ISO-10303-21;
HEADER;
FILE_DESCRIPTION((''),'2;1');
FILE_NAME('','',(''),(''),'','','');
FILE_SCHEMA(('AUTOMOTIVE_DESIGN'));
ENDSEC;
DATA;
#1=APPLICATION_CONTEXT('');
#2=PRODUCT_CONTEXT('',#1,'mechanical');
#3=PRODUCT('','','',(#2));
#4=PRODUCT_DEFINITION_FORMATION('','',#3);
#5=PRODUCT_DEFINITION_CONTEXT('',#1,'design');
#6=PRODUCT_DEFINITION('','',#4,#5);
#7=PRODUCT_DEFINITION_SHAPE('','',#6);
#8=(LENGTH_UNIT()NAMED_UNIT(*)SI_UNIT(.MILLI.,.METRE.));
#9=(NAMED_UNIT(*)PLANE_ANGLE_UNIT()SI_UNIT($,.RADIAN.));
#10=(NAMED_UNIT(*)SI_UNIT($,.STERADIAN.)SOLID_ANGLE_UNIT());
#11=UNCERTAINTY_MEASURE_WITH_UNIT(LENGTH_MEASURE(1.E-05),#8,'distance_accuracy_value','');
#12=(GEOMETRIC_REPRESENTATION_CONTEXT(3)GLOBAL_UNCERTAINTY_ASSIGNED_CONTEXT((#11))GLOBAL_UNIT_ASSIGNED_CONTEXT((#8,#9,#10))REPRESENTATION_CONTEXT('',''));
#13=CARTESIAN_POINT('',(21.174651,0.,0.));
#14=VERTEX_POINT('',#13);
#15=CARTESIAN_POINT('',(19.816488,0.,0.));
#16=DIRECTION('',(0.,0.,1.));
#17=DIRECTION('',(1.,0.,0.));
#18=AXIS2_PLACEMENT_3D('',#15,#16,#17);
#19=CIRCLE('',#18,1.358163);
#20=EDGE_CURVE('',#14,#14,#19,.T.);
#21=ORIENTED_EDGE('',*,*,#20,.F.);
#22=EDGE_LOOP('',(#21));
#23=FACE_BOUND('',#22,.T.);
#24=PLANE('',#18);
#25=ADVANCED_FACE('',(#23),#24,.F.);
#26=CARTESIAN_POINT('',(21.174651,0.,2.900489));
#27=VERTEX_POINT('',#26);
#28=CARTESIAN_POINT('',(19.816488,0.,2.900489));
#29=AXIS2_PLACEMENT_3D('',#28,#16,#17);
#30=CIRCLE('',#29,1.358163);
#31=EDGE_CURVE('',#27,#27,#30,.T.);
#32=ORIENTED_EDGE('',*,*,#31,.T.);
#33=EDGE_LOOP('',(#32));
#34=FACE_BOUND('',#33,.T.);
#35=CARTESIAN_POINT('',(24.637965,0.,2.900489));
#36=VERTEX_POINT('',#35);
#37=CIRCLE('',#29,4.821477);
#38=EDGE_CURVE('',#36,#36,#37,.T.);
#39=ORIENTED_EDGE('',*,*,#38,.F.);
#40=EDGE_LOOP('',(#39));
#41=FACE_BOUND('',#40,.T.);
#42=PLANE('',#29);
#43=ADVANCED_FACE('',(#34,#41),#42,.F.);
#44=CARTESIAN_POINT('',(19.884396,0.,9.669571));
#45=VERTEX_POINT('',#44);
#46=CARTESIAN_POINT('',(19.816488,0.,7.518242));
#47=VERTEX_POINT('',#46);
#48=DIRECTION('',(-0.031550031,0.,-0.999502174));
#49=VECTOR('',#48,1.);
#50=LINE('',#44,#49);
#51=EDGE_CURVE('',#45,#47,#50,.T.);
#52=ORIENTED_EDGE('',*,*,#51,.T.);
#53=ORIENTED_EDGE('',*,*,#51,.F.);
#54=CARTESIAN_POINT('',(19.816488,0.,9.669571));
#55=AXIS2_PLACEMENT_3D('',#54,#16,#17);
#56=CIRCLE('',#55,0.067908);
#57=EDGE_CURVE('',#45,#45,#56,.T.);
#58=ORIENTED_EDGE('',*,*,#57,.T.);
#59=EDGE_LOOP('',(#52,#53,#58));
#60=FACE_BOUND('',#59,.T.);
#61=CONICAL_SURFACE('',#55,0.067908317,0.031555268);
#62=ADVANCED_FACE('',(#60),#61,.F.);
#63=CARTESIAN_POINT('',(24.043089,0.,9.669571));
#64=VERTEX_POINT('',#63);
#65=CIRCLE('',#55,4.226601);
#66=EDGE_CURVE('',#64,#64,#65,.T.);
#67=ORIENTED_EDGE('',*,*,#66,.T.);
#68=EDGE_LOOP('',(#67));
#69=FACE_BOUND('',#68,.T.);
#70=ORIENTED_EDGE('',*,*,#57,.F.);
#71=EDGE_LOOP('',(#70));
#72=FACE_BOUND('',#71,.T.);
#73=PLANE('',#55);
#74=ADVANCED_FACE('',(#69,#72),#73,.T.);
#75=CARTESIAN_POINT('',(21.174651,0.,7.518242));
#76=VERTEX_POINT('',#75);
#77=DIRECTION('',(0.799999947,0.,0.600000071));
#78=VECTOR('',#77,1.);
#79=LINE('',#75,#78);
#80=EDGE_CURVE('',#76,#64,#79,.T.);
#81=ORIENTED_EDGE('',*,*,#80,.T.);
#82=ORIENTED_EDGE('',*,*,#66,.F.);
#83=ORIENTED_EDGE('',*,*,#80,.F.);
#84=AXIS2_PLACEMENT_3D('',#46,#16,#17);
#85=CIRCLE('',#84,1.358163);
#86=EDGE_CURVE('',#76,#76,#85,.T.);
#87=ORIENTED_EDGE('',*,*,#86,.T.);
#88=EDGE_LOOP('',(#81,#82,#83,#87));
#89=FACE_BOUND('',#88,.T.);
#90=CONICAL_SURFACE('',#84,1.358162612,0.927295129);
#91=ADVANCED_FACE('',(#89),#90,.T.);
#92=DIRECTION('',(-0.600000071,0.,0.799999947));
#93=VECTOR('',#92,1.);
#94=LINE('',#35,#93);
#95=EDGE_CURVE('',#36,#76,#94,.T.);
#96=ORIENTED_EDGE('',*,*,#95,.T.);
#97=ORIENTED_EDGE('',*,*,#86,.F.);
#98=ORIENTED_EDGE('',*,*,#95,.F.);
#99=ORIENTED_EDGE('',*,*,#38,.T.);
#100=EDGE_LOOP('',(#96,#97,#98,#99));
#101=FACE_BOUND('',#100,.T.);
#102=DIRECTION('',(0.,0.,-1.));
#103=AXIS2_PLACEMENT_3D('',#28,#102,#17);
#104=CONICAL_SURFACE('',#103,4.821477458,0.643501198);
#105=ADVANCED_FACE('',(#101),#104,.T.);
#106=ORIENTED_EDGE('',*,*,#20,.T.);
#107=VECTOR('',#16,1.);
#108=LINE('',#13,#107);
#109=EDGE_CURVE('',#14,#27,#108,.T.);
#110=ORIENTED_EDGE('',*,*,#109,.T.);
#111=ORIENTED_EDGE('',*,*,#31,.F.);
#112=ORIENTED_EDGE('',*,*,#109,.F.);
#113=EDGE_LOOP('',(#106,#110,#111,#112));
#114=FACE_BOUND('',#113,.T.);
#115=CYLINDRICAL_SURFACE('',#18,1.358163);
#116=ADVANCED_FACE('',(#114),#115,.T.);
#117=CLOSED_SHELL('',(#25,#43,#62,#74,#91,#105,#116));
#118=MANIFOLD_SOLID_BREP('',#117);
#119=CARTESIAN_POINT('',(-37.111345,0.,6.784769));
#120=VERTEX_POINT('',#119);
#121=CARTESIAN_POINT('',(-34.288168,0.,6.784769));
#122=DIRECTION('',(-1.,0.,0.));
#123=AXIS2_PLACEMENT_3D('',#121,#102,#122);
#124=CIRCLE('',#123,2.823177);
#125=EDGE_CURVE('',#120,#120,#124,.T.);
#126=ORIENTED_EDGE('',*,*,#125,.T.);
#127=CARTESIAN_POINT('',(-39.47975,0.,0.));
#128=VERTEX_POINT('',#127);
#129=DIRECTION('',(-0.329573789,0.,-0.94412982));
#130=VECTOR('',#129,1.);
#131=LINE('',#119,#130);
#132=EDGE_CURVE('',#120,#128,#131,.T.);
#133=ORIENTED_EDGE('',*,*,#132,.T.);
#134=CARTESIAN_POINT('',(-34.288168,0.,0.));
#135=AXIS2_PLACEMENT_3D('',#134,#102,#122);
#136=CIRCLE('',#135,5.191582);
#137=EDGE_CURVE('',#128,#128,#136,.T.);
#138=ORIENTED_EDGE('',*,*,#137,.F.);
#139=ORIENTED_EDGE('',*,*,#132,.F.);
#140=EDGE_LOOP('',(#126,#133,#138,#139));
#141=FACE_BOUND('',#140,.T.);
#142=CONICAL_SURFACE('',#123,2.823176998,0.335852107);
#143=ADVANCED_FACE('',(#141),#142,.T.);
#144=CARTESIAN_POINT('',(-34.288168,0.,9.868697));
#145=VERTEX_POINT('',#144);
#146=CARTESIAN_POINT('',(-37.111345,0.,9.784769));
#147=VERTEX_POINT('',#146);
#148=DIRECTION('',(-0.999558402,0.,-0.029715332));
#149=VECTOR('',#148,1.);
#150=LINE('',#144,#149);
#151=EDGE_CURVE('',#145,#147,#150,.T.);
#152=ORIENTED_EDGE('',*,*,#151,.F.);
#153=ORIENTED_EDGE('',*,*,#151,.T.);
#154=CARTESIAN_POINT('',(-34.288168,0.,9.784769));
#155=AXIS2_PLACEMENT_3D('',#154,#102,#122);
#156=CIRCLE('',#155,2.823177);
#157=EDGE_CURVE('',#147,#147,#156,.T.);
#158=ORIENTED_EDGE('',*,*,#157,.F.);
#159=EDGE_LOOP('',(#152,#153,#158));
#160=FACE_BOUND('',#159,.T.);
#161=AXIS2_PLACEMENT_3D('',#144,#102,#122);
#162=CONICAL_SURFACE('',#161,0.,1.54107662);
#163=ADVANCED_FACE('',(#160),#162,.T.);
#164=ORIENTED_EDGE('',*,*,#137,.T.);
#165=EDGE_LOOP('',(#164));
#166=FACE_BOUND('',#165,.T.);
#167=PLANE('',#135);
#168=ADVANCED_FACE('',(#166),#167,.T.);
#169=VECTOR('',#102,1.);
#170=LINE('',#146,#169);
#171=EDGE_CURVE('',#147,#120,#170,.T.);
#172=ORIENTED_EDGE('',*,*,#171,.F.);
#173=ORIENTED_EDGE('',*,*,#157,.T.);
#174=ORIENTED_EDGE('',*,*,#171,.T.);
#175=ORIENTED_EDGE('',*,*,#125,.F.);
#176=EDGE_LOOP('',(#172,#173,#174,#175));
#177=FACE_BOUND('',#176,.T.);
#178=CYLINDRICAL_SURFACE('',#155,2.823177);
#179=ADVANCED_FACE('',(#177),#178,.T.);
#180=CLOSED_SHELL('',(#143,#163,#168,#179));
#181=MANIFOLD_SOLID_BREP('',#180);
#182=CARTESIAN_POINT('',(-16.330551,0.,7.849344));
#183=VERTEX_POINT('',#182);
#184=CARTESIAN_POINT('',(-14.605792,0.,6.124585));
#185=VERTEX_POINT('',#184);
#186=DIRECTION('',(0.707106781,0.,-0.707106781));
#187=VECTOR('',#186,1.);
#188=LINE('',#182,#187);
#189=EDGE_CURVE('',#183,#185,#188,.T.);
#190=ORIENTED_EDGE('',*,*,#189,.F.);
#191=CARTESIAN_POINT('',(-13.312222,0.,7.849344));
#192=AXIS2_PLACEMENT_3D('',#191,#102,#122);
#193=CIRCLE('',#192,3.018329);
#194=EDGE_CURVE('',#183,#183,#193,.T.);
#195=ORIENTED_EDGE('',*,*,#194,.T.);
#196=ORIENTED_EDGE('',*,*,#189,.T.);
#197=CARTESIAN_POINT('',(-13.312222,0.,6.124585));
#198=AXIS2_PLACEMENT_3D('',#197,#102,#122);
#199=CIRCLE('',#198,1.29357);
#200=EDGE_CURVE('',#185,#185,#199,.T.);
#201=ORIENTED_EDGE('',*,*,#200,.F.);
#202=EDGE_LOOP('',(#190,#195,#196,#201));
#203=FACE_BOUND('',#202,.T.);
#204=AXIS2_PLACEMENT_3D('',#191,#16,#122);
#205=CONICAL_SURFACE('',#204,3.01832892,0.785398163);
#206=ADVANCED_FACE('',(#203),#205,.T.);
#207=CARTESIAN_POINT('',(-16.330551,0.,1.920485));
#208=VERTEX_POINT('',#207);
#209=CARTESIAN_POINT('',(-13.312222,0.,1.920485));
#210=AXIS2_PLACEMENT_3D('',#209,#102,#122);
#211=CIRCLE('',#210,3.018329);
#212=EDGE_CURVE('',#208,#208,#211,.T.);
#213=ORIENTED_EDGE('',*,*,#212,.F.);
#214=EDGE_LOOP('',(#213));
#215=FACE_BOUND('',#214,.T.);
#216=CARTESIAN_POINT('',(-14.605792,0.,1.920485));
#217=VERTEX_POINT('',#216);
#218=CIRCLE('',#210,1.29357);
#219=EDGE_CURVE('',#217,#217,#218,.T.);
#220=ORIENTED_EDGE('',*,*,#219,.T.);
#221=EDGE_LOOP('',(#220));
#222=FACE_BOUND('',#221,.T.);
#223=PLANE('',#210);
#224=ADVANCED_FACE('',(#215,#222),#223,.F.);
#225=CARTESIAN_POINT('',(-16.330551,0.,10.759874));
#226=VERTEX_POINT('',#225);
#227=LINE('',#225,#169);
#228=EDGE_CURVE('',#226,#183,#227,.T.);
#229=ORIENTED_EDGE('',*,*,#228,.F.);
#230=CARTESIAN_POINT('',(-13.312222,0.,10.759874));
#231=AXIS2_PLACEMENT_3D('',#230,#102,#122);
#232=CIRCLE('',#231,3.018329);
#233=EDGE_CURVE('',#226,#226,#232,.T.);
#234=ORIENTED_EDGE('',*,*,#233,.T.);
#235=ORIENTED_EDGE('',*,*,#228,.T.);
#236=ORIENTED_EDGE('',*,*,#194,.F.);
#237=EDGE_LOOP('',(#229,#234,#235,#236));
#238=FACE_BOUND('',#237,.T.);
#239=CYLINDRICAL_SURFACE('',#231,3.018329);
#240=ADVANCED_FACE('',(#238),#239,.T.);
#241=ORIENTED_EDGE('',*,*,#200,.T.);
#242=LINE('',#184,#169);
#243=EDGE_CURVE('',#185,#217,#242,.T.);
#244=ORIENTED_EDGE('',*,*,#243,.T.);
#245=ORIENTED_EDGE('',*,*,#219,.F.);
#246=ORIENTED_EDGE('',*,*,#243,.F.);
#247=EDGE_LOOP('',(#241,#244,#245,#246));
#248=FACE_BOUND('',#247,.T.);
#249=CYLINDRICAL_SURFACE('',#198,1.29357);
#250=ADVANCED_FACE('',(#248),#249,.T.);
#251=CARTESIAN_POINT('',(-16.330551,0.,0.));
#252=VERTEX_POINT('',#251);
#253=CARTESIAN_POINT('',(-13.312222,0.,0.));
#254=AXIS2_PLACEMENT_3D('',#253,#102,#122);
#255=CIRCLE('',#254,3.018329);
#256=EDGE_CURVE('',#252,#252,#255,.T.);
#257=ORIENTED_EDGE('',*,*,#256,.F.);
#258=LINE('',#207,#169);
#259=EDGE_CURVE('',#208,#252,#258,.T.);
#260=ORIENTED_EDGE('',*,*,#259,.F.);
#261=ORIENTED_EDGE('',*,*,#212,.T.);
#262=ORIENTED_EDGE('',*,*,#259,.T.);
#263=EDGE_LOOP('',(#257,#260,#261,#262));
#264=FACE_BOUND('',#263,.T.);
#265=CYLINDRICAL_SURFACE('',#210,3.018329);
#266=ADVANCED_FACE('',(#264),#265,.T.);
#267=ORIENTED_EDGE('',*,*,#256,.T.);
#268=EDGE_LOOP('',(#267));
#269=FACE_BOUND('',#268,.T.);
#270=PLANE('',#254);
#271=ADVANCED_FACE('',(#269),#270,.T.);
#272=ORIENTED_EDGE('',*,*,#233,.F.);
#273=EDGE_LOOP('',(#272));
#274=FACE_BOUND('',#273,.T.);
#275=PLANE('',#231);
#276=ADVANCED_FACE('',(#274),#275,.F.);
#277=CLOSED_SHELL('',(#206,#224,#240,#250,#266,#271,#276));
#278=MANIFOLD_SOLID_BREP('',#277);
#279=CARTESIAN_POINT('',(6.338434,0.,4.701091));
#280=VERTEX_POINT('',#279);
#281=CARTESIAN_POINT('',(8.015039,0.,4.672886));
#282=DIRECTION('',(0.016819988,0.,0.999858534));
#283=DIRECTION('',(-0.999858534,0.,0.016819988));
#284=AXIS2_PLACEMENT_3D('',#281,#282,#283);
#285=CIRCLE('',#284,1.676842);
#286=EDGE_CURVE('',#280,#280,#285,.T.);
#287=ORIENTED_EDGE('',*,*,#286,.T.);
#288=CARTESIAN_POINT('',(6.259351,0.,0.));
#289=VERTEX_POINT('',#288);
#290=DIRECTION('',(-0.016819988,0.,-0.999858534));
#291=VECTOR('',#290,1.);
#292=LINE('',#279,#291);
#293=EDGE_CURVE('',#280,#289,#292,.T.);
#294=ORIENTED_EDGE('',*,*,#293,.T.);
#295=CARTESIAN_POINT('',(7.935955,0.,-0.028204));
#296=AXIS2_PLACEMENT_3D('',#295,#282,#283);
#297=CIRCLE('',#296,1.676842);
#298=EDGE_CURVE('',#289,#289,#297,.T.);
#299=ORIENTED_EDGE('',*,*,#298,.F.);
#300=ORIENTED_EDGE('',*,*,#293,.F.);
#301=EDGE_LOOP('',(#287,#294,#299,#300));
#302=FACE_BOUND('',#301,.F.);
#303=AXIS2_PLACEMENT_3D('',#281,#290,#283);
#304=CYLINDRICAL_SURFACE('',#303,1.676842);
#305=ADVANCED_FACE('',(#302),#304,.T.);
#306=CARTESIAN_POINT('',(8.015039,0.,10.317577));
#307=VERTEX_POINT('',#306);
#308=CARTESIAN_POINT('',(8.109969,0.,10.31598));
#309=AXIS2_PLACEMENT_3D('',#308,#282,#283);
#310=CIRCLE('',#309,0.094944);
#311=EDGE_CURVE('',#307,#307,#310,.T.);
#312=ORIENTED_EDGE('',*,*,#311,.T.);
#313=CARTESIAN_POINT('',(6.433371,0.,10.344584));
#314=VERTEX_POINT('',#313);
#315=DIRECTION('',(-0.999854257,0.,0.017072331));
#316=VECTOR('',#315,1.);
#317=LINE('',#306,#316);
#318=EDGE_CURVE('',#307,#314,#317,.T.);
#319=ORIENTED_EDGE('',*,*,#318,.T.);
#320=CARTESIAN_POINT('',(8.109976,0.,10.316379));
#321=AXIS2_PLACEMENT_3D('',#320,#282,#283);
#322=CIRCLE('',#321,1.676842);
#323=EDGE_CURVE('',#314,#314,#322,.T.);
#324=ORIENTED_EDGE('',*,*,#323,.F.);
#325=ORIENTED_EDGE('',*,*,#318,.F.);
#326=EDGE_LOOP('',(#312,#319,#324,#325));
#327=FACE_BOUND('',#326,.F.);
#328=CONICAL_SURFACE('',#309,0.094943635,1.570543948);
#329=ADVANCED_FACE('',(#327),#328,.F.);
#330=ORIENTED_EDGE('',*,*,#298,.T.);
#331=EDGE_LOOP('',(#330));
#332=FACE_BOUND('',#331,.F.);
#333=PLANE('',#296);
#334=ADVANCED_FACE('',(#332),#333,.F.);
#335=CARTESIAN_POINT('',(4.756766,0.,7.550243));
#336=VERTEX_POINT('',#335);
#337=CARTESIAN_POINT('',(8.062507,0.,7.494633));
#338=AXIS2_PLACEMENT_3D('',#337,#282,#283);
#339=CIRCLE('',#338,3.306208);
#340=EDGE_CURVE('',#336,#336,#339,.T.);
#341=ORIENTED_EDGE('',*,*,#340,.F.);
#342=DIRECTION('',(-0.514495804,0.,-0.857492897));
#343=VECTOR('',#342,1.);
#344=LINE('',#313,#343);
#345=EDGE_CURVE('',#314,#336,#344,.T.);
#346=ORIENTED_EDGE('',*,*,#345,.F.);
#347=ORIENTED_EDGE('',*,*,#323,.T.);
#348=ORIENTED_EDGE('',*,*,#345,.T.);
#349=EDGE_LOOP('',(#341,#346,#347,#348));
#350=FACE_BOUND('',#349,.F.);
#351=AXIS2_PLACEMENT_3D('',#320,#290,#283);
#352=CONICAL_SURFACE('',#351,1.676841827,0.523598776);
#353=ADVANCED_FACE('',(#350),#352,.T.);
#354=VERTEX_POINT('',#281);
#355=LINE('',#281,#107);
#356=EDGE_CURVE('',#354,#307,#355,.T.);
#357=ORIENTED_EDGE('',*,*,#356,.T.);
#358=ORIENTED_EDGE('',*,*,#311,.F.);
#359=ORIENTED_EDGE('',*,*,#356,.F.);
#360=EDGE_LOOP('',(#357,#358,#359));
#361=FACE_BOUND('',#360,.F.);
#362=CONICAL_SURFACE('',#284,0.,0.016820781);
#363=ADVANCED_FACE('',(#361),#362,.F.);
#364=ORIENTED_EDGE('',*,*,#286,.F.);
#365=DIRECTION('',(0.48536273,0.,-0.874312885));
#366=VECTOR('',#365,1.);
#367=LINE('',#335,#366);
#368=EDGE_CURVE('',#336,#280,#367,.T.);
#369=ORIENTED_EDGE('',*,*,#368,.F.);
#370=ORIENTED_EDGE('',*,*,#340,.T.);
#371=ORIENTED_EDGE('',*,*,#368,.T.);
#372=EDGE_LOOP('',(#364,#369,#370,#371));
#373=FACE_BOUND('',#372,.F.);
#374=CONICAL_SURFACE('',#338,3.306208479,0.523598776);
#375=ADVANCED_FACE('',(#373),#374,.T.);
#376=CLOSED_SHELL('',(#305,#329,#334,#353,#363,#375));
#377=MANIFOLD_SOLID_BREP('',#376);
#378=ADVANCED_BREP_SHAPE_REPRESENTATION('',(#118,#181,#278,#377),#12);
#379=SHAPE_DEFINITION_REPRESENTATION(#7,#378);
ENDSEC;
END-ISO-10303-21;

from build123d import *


with BuildPart() as f1:
    # F0 (on Front) → F1 (revolve)
    with BuildSketch(Plane.XZ):
        Polygon((-37.1113449511, 6.7847687659), (-39.479750121, 0), (-34.2881679535, 0), (-34.2881679535, 9.8686974709), (-37.1113449511, 9.7847687659), align=None)
    revolve(axis=Axis((-34.2881679535, 0, 4.9343487355), (0, 0, -1)))


with BuildPart() as f3:
    # F2 (on Front) → F3 (revolve)
    with BuildSketch(Plane.XZ):
        Polygon((-16.3305513561, 1.9204854034), (-16.3305513561, 0), (-13.3122224361, 0), (-13.3122224361, 10.759874247), (-16.3305513561, 10.759874247), (-16.3305513561, 7.8493440524), (-14.6057922393, 6.1245849356), (-14.6057922393, 1.9204854034), align=None)
    revolve(axis=Axis((-13.3122224361, 0, 5.3799371235), (0, 0, -1)))


with BuildPart() as f5:
    # F4 (on Front) → F5 (revolve)
    with BuildSketch(Plane.XZ):
        Polygon((4.756766494, 7.5502431285), (6.3384341868, 4.7010906133), (6.2593507112, 0), (7.9359553222, -0.0282044595), (8.0150387978, 4.6728861538), (8.0150387978, 7.4954312732), (8.0150387978, 10.3175770984), (6.4333711051, 10.3445837884), align=None)
    revolve(axis=Axis((7.97549706, 0, 2.3223408471), (0.0168199881, 0, 0.999858534)))


with BuildPart() as f7:
    # F6 (on Front) → F7 (revolve)
    with BuildSketch(Plane.XZ):
        Polygon((19.8164880276, 7.5182416476), (19.8164880276, 0), (21.1746506393, 0), (21.1746506393, 2.9004893731), (21.1746506393, 7.5182416476), align=None)
        Polygon((21.1746506393, 7.5182416476), (21.1746506393, 2.9004893731), (24.6379654855, 2.9004893731), align=None)
        Polygon((19.8843963444, 9.669571049), (19.8164880276, 7.5182416476), (21.1746506393, 7.5182416476), (24.0430893108, 9.669571049), align=None)
    revolve(axis=Axis((19.8164880276, 0, 3.7591208238), (0, 0, 1)))


solid = Compound([f1.part, f3.part, f5.part, f7.part])
